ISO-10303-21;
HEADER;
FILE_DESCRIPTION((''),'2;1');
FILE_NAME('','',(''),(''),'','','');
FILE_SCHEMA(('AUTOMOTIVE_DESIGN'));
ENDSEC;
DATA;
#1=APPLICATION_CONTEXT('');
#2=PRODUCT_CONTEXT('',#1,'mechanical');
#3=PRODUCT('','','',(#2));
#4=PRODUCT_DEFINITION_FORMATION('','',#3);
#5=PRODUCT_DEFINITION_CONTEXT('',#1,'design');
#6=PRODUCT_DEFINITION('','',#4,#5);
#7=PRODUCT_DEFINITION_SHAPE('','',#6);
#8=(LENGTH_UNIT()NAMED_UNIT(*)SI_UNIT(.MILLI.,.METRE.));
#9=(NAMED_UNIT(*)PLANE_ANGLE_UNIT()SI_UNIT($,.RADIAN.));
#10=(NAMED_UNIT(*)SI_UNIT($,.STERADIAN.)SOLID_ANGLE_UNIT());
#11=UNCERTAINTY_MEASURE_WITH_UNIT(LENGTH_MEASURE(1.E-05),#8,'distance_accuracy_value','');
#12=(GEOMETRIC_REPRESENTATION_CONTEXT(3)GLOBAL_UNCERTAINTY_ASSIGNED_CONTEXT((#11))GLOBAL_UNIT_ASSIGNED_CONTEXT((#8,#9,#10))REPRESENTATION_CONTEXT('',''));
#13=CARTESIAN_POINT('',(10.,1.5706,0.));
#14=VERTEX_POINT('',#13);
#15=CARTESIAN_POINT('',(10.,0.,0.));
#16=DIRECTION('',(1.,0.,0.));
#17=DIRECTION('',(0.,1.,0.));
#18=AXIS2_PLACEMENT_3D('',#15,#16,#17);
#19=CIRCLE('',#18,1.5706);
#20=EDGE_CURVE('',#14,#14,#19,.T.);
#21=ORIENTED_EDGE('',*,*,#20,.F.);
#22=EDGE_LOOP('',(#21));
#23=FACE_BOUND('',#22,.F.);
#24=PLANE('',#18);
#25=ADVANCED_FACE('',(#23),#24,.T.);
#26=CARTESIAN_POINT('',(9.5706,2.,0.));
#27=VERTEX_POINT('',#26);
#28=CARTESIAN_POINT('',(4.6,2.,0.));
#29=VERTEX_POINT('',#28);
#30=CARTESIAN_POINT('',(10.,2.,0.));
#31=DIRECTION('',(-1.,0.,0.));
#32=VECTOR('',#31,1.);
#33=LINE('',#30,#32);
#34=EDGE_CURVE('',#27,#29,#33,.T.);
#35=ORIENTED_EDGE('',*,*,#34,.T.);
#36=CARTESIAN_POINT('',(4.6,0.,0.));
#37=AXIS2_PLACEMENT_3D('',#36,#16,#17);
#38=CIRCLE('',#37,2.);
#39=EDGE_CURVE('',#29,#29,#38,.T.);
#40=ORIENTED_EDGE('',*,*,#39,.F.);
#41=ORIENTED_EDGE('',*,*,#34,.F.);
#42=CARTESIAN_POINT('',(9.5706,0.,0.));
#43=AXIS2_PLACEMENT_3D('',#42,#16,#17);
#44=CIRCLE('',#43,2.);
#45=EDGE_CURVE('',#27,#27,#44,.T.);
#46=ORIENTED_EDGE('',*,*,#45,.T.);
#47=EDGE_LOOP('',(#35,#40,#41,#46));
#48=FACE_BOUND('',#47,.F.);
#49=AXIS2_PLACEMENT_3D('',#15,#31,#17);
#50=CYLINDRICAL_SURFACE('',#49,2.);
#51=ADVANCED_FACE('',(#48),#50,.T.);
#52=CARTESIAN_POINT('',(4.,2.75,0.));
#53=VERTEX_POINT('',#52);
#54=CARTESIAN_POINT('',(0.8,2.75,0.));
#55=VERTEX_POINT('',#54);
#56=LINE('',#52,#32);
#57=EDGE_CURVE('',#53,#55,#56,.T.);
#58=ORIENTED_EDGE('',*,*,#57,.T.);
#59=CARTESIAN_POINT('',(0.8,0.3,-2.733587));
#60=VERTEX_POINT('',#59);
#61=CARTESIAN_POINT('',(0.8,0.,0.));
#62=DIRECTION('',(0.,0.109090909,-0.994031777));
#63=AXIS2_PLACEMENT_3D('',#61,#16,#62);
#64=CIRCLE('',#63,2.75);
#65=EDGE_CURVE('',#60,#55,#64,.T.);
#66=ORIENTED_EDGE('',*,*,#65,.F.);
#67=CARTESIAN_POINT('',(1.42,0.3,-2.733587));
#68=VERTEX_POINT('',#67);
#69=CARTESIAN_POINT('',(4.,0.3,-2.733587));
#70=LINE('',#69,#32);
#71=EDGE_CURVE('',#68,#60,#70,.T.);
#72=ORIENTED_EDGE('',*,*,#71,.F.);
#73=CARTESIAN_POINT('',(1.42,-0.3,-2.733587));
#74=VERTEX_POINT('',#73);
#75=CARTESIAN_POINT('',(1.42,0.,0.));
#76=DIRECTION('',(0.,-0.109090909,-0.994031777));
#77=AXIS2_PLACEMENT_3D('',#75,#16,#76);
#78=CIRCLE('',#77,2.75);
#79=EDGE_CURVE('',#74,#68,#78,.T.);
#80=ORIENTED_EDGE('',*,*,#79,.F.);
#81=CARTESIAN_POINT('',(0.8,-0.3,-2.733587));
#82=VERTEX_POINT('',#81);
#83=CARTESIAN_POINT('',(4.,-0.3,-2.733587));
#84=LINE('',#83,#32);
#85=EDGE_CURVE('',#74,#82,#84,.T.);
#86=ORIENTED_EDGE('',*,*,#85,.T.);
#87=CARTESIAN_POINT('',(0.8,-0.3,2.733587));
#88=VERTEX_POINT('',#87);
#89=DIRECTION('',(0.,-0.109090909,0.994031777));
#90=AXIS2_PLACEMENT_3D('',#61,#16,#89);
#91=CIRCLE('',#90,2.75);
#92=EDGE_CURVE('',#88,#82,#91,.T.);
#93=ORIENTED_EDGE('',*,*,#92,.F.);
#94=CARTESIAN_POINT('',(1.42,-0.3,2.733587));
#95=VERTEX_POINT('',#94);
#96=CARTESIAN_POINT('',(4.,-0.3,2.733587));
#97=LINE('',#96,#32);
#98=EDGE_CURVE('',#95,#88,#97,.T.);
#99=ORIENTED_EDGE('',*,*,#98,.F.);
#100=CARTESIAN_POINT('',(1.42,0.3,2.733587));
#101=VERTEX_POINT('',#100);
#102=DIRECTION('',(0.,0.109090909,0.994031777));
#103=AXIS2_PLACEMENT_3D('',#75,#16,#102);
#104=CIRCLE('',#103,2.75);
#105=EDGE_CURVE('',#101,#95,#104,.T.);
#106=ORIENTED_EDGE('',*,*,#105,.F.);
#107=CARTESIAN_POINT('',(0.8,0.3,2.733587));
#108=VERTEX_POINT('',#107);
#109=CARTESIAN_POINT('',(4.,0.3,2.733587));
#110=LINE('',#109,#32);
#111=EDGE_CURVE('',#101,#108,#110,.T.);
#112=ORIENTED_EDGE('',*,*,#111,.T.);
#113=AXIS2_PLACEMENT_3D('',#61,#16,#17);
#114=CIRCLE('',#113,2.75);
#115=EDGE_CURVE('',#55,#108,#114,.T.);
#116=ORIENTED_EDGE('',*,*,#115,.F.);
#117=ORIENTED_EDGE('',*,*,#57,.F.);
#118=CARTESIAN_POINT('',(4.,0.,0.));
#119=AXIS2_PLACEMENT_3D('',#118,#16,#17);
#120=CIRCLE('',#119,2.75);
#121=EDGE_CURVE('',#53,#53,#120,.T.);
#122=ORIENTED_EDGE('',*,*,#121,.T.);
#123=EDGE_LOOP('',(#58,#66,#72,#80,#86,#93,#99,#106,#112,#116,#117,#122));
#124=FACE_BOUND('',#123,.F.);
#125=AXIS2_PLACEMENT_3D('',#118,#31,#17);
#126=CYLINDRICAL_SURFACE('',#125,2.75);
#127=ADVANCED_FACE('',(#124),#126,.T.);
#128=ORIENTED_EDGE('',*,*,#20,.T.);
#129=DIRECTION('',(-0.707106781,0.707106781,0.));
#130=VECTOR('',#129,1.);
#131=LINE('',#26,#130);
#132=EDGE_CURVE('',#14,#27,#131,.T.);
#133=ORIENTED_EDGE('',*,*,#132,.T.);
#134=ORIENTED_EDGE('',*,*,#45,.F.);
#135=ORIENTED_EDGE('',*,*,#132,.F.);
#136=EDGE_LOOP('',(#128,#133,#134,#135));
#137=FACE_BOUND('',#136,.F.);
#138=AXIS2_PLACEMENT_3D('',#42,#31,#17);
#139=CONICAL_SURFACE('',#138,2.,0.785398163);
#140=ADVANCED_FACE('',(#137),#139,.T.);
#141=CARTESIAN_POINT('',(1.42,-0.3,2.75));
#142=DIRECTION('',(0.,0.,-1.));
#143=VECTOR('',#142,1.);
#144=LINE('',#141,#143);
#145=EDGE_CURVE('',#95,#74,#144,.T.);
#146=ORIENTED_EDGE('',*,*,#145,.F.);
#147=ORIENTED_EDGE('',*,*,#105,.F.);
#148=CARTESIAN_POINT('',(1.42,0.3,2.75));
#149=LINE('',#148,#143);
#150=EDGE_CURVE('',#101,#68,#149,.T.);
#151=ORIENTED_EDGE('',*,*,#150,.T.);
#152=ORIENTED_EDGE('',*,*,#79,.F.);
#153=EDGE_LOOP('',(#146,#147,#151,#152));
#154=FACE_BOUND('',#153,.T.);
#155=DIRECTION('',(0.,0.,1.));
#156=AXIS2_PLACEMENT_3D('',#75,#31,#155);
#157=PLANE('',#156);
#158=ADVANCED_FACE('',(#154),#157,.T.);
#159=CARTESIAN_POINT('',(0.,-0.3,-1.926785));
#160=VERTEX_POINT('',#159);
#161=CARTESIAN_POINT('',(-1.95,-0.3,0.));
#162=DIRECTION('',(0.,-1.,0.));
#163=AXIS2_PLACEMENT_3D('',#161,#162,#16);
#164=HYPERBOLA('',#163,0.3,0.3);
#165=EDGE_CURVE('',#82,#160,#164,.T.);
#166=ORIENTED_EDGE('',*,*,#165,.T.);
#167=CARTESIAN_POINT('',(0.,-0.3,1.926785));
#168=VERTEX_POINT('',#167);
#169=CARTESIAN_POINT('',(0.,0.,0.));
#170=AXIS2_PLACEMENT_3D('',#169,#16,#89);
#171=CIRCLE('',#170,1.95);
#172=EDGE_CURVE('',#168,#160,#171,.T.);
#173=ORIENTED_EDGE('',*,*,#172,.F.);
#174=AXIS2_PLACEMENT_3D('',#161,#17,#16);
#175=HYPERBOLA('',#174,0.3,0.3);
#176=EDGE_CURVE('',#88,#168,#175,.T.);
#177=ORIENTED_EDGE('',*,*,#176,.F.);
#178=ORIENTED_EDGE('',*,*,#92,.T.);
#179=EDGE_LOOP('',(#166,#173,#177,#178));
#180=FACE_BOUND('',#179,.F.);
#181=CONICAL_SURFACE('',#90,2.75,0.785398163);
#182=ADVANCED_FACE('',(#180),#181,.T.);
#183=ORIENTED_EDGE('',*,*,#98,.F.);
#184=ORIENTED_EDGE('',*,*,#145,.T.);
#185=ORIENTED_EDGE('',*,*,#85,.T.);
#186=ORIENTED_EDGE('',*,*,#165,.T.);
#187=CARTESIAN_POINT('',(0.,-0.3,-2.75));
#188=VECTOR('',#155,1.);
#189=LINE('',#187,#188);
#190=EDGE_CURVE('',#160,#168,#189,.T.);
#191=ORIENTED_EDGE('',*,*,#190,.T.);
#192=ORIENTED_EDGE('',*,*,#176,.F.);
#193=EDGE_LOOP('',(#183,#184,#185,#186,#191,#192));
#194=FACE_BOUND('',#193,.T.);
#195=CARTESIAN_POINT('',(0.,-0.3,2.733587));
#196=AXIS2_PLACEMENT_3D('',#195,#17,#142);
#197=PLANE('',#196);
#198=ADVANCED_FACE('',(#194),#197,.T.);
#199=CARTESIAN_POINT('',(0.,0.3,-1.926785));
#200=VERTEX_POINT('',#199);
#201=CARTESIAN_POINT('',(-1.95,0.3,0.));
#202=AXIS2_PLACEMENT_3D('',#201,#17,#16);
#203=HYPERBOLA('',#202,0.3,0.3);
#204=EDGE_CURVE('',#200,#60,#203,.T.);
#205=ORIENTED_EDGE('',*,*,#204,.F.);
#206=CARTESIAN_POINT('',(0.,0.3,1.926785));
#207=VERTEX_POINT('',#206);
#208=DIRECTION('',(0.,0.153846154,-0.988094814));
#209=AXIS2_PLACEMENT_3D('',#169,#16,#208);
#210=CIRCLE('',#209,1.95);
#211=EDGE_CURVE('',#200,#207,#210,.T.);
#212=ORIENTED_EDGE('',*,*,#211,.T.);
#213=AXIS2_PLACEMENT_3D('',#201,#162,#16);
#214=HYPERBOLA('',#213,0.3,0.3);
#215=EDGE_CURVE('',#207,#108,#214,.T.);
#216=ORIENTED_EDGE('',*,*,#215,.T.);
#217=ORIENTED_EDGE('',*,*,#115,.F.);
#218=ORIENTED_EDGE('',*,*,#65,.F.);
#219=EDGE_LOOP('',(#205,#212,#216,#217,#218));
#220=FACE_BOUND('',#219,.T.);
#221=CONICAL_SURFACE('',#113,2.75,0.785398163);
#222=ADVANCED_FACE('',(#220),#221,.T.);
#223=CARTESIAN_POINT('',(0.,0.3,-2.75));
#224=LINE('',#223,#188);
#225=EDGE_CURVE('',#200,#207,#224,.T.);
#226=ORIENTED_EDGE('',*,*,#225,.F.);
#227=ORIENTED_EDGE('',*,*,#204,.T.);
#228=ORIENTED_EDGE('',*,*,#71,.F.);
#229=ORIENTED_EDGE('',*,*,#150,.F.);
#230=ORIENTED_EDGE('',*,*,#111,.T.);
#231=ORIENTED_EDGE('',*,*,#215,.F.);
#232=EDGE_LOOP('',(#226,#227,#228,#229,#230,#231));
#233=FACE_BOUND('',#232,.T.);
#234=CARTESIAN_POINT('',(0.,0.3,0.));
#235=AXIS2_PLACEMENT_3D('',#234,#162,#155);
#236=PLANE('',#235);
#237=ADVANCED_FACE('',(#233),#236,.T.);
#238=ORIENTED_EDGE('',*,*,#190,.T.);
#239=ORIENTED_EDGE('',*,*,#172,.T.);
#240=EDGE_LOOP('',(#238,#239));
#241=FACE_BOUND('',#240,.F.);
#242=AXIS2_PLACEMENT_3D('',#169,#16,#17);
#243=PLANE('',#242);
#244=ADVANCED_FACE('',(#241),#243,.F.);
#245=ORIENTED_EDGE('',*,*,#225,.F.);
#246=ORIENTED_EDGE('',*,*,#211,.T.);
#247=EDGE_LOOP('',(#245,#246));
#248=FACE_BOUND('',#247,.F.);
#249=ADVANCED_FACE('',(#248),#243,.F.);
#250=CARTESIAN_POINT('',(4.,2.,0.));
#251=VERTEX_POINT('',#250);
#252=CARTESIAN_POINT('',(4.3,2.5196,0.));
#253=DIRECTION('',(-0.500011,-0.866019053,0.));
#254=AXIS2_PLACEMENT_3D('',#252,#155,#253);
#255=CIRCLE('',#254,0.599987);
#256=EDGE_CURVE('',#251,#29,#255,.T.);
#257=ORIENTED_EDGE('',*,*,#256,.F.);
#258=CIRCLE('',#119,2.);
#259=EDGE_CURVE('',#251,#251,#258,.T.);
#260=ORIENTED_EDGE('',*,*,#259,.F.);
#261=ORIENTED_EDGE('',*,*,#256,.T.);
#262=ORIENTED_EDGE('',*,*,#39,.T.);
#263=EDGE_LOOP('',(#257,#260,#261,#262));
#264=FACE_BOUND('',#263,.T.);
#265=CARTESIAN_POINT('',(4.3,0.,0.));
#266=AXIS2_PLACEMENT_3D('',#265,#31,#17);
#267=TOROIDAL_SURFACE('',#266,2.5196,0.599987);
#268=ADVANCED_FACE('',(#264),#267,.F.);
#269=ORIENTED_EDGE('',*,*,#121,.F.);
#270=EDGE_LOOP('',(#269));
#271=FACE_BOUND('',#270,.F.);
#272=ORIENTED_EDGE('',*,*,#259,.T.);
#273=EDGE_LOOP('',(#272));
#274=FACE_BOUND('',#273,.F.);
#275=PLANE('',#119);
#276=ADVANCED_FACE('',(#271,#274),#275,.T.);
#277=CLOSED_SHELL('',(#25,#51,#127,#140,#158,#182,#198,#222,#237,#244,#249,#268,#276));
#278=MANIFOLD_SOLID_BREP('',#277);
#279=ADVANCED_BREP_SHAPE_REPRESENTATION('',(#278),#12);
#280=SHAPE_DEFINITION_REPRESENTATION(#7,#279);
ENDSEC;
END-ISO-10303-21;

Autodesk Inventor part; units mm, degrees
ref_plane "YZ Plane" through (0, 0, 0) normal (1, 0, 0) x (0, 1, 0)
ref_plane "XZ Plane" through (0, 0, 0) normal (0, 1, 0) x (-1, 0, 0)
sketch "Skizze1" plane through (0, 0, 0) normal (0, 0, 1) x (1, 0, 0)
  line L0 (0, 0) -> (10, 0)
  line L1 (10, 0) -> (10, 2)
  line L2 (10, 2) -> (4, 2)
  line L3 (4, 2) -> (4, 2.75)
  line L4 (4, 2.75) -> (0, 2.75)
  line L5 (0, 2.75) -> (0, 0)
  line L6 (-2, 0) -> (12, 0) projected
  line L7 (0, -0.55) -> (0, 3.3) projected
  arc A0 (4, 2) -> (4.6, 2) centre (4.3, 2.5196) ccw
  dimension "d0" = 4
  dimension "d1" = 6
  dimension "d2" = 4
  dimension "d3" = 5.5
  dimension "d14" = 0.6
  dimension "d15" = 0.6
revolve "Körper" add sketch "Skizze1" angle 360 about axis through (0, 0, 0) along (1, 0, 0)
sketch "Skizze2" plane through (0, 0, 0) normal (-1, 0, 0) x (0, 0, 1)
  circle A0 centre (0, 0) radius 2.75 projected
  line L0 (0, -3.85) -> (0, 3.85) projected
  line L1 (-3.85, 0) -> (3.85, 0) projected
  line L2 (-2.75, 0.3) -> (2.75, 0.3)
  line L3 (2.75, 0.3) -> (2.75, -0.3)
  line L4 (2.75, -0.3) -> (-2.75, -0.3)
  line L5 (-2.75, -0.3) -> (-2.75, 0.3)
  line L6 (-2.75, 0) -> (2.75, 0) construction
  line L7 (0, 0.3) -> (0, -0.3) construction
  dimension "d5" = 0.6
extrude "Loch" cut sketch "Skizze2" against normal blind 1.42 contours L1 L0 L2 A0 | L3 L4 A0 | A0 L4 L0 L1 | A0 L2 L3 | L1 A0 L2 L0 | L0 L4 A0 L1 | L5 L2 A0 | A0 L4 L5
chamfer "Fase1" distance 0.8 angle 45 3 edges at (0, 2.0479, -1.8354) (0, 2.0479, 1.8354) (0, -2.75, 0) measured on face at (1.8067, 0.7465, 2.6467)
thread "Gewinde" size "M4x0.7" class "6g" standard "ISO Metric profile" length 6
chamfer "Fase2" distance 0.4294 distance2 0.4294 1 edges at (10, -2, 0) measured on face at (10, -0.499, -0.4421)
revolve "Nut1" cut sketch "Skizze1" angle 360 about axis through (0, 0, 0) along (1, 0, 0) contours A0 L2
ref_plane "Work Plane1" through (8, 0, 0) normal (0, 0, -1) x (1, 0, 0)
equation "\"d0\" = KOH"
equation "\"d1\" = GEL"
equation "\"d2\" = NND"
equation "\"d3\" = KOD"
equation "\"d14\" = SBR"
equation "\"d15\" = SBR"
equation "\"d5\" = SBR"
equation "\"d6\" = STI"
equation "\"d8\" = PHH"
equation "\"d19\" = PHH"
equation "\"d10\" = GEL"
equation "\"d12\" = -0.5 * GD1 + 0.5 * NND"
equation "\"d13\" = GUL"
equation "\"NND\" = 4"
equation "\"GEL\" = 6"
equation "\"KOD\" = 5.5"
equation "\"KOH\" = 4"
equation "\"SBR\" = 0.6"
equation "\"GUL\" = 0.61345 * PTC"
equation "\"PHH\" = 0.8"
equation "\"GD1\" = THREADDIA - 1.2269 * PTC"
equation "\"STI\" = 1.42"
equation "\"THREADDIA\" = 4"
equation "\"TOA\" = 30deg"
equation "\"NLG\" = GEL"
equation "\"PTC\" = 0.7"
equation "\"GAL\" = 0.61345 * PTC"
properties part number "DIN 927 - M4 x 4-14H" material "Stahl, weich"
